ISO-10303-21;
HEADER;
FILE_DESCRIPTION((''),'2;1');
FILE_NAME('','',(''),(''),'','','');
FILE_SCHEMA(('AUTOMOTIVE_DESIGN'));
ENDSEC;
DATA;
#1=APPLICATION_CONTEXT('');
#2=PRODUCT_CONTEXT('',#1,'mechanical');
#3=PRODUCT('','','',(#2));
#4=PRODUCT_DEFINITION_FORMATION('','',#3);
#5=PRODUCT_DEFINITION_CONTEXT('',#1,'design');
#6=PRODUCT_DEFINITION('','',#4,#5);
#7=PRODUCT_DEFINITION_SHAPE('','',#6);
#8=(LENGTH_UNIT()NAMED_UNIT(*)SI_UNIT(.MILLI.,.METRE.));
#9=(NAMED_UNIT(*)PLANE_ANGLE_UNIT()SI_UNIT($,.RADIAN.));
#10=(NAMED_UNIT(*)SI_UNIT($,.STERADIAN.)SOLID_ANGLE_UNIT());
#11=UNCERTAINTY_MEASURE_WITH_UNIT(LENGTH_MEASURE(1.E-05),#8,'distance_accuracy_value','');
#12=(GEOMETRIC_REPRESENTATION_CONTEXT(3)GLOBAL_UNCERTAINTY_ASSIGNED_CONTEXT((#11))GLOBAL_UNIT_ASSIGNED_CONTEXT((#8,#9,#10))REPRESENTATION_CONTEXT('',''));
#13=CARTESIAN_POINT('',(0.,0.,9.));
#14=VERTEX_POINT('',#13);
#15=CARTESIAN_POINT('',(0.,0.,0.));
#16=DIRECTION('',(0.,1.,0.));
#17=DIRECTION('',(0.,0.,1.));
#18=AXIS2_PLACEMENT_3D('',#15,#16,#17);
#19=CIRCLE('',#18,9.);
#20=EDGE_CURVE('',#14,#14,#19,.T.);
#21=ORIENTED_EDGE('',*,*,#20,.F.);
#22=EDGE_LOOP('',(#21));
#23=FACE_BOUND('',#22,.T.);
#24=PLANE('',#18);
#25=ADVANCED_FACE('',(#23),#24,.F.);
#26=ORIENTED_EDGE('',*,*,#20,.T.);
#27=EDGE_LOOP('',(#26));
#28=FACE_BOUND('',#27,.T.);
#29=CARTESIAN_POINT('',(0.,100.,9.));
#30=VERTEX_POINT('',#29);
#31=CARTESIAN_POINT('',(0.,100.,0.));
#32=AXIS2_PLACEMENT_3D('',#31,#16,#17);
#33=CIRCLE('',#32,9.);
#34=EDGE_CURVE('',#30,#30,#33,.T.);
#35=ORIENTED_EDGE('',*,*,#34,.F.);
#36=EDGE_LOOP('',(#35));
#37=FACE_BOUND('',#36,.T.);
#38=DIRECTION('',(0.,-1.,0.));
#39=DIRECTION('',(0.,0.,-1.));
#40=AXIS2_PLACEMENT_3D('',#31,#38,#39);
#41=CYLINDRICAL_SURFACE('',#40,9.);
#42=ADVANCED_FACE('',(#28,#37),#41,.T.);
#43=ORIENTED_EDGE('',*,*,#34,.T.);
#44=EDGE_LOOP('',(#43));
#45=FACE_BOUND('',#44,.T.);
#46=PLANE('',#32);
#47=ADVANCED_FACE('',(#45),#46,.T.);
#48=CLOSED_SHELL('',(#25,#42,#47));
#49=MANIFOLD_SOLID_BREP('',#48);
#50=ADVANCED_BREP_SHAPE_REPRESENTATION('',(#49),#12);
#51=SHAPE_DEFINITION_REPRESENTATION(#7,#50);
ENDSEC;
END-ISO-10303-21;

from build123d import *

# Parameters (mm, degrees)
SKETCH1_R           = 9
BOSS_EXTRUDE1_DEPTH = 100


with BuildPart() as part:
    # Sketch1 → Boss-Extrude1 (new body)
    with BuildSketch(Plane(origin=(0, 0, 0), x_dir=(1, 0, 0), z_dir=(0, 1, 0))):
        with Locations(Location((0, 0, 0), (0, 0, 270))):
            Circle(SKETCH1_R)
    extrude(amount=BOSS_EXTRUDE1_DEPTH)


solid = part.part
